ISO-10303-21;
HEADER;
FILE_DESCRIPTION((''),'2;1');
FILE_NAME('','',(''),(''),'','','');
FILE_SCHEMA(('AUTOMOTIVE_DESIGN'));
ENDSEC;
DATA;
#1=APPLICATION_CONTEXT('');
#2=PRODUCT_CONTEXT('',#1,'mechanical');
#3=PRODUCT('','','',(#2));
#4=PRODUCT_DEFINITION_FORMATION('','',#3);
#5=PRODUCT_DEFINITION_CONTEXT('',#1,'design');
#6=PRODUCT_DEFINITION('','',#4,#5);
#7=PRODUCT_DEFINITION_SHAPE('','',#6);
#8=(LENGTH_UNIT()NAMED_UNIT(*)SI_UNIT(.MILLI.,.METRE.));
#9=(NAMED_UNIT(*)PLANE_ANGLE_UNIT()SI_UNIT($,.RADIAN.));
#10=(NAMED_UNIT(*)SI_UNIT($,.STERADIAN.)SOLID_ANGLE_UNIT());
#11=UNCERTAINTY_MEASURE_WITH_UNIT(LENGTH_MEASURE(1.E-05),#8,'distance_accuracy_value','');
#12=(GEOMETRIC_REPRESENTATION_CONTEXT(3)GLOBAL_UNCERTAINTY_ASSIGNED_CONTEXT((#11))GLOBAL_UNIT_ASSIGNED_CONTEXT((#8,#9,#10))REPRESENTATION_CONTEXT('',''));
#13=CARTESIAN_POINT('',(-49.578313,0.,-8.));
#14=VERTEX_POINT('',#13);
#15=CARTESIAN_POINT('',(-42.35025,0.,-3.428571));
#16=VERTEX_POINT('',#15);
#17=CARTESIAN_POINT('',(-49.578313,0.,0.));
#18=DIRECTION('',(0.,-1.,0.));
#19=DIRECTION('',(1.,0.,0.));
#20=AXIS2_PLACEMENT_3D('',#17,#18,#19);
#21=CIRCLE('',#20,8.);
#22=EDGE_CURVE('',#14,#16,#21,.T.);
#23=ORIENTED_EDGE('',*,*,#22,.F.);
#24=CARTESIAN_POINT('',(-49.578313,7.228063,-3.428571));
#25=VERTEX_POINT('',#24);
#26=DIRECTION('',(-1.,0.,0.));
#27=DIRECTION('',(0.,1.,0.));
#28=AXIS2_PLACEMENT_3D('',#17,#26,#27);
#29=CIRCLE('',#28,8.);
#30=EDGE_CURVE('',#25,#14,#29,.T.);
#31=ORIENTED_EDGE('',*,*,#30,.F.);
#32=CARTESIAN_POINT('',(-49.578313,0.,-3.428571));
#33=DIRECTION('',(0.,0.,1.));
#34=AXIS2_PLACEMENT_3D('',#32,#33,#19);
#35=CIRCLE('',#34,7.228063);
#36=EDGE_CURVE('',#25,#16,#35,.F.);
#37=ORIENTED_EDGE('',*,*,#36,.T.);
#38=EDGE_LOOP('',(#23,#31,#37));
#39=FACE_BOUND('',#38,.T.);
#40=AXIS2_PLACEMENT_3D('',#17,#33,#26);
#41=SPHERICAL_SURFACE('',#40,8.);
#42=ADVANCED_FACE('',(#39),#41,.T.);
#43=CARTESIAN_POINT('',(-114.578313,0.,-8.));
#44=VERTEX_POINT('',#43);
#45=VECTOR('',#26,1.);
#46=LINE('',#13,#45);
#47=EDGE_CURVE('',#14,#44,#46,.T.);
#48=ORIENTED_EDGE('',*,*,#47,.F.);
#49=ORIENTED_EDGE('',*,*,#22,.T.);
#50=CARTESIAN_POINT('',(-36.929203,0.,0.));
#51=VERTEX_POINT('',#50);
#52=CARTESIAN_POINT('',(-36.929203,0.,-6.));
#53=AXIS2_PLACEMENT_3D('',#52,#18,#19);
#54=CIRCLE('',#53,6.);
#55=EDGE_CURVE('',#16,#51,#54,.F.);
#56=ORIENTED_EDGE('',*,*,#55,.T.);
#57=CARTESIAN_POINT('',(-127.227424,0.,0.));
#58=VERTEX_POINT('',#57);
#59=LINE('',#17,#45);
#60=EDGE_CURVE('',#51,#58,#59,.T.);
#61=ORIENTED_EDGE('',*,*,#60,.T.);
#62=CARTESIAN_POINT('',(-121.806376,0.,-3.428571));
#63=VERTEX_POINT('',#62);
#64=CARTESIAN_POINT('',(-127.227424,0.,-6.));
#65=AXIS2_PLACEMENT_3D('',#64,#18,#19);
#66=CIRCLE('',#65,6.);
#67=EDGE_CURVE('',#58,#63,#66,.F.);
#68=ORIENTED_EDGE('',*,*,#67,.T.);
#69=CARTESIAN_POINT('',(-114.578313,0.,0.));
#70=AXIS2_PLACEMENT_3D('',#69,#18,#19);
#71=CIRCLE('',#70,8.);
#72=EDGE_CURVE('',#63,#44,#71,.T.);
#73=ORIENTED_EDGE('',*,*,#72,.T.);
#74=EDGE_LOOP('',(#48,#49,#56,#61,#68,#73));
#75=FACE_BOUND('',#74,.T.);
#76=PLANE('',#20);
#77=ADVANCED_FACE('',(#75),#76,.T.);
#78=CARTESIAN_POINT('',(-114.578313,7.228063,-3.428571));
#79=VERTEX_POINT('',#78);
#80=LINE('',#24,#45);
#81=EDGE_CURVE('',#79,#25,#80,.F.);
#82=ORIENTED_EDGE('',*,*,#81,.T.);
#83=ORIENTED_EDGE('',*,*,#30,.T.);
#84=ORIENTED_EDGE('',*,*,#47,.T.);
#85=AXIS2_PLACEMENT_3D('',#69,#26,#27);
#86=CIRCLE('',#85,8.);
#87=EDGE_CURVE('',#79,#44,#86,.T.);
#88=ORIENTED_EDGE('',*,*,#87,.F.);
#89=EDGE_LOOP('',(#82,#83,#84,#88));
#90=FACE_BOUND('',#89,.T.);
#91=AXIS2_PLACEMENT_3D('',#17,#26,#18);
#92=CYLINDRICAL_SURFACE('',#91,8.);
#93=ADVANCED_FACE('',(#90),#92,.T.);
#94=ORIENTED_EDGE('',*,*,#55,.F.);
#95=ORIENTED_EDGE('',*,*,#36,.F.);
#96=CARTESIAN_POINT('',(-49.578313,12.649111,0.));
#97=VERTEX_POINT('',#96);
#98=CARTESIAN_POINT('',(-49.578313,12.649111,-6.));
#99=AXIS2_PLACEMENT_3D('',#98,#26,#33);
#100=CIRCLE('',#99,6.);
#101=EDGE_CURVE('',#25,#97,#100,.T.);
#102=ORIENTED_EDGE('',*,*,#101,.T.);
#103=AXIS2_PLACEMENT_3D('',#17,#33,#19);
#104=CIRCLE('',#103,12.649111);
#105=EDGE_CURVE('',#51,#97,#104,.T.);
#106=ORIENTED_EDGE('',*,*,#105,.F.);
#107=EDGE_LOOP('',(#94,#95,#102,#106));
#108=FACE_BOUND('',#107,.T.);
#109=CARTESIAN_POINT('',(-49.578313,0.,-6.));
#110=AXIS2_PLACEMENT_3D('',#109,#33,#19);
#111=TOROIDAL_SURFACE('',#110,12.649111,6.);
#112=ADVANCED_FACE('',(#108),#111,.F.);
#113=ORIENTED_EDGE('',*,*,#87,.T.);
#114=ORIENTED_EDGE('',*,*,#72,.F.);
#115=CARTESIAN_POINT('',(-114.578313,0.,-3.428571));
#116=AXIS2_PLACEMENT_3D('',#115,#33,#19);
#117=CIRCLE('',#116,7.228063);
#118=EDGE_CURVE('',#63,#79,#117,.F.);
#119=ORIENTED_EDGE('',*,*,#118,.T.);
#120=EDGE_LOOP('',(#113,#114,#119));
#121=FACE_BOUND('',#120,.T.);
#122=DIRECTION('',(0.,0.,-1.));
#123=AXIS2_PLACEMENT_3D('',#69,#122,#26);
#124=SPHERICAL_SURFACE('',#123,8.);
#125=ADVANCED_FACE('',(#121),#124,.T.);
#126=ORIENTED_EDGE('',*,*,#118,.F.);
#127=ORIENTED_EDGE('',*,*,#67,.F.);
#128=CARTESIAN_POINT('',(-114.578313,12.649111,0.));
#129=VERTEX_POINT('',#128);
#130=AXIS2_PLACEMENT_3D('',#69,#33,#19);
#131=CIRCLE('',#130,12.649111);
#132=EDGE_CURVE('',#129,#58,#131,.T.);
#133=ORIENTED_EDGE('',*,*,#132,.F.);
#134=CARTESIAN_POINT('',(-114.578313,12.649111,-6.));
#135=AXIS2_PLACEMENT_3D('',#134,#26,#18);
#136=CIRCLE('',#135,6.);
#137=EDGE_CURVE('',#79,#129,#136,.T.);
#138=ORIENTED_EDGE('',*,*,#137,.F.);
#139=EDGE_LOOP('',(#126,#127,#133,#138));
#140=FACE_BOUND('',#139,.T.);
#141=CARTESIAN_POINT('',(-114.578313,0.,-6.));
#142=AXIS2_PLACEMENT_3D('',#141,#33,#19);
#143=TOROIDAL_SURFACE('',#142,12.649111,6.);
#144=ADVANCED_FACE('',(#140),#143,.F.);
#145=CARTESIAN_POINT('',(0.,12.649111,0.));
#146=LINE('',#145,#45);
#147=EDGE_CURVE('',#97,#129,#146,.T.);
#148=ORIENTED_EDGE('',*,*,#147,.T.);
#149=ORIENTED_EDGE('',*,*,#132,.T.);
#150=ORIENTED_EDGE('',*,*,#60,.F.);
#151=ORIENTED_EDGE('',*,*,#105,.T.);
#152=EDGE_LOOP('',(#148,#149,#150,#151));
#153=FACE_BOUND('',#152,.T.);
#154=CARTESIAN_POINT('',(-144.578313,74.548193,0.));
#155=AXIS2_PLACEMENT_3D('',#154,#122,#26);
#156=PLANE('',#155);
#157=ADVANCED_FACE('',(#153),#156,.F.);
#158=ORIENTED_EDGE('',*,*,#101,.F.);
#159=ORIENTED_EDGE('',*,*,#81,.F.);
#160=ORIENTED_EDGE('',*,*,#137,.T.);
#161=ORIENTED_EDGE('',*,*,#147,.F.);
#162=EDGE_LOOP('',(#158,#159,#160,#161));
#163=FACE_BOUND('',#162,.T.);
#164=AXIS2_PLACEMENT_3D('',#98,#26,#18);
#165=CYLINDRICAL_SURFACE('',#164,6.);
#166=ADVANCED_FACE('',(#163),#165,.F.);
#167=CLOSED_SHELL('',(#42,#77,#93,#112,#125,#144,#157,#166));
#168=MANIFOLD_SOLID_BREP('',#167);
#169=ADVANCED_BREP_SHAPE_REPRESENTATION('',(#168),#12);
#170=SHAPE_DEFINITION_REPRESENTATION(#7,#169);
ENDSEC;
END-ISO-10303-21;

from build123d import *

# Parameters (mm, degrees)
SKETCH1_W           = 150
SKETCH1_H           = 150
BOSS_EXTRUDE1_DEPTH = 10
BOSS_EXTRUDE2_START = -30
BOSS_EXTRUDE2_DEPTH = 65
REVOLVE2_ANGLE      = 90
REVOLVE3_ANGLE      = 90
FILLET1_R           = 6
SKETCH12_W          = 150
SKETCH12_H          = 10
CUT_EXTRUDE1_DEPTH  = 209.573461212


with BuildPart() as part:
    # Sketch1 → Boss-Extrude1 (new body)
    with BuildSketch(Plane.XY):
        with Locations((-69.578313253, -0.451807229)):
            Rectangle(SKETCH1_W, SKETCH1_H)
    extrude(amount=BOSS_EXTRUDE1_DEPTH)

    # Sketch3 → Boss-Extrude2 (add)
    with BuildSketch(Plane.ZY.offset(144.578313253).offset(BOSS_EXTRUDE2_START)):
        with BuildLine():
            Line((0, 8), (0, 0))
            Line((0, 0), (-8, 0))
            ThreePointArc((-8, 0), (-5.656854249, 5.656854249), (0, 8))
        make_face()
    extrude(amount=-BOSS_EXTRUDE2_DEPTH)

    # Sketch10 → Revolve2 (revolve)
    with BuildSketch(Plane.ZY.offset(114.578313253)):
        with BuildLine():
            Line((-8, 0), (0, 0))
            Line((0, 0), (0, 8))
            ThreePointArc((0, 8), (-5.656854249, 5.656854249), (-8, 0))
        make_face()
    revolve(axis=Axis((-114.578313253, 0, -8), (0, 0, 1)), revolution_arc=REVOLVE2_ANGLE)

    # Sketch11 → Revolve3 (revolve)
    with BuildSketch(Plane(origin=(-49.578313253, 0, 0), x_dir=(0, 0, -1), z_dir=(1, 0, 0))):
        with BuildLine():
            Line((0, 8), (0, 0))
            Line((0, 0), (8, 0))
            ThreePointArc((8, 0), (5.656854249, 5.656854249), (0, 8))
        make_face()
    revolve(axis=Axis((-49.578313253, 0, 0), (0, 0, -1)), revolution_arc=REVOLVE3_ANGLE)

    # Fillet1
    fillet1_edges = [part.edges().sort_by_distance(p)[0] for p in [
        (-82.078313253, 8, 0),
        (-120.235167503, 5.656854249, 0),
        (-43.921459004, 5.656854249, 0),
    ]]
    fillet(fillet1_edges, radius=FILLET1_R)

    # Sketch12 → Cut-Extrude1 (cut, through all)
    with BuildSketch(Plane.XZ.offset(75.451807229)):
        with Locations((-69.578313253, 5)):
            Rectangle(SKETCH12_W, SKETCH12_H)
    extrude(amount=-CUT_EXTRUDE1_DEPTH, mode=Mode.SUBTRACT)


solid = part.part
